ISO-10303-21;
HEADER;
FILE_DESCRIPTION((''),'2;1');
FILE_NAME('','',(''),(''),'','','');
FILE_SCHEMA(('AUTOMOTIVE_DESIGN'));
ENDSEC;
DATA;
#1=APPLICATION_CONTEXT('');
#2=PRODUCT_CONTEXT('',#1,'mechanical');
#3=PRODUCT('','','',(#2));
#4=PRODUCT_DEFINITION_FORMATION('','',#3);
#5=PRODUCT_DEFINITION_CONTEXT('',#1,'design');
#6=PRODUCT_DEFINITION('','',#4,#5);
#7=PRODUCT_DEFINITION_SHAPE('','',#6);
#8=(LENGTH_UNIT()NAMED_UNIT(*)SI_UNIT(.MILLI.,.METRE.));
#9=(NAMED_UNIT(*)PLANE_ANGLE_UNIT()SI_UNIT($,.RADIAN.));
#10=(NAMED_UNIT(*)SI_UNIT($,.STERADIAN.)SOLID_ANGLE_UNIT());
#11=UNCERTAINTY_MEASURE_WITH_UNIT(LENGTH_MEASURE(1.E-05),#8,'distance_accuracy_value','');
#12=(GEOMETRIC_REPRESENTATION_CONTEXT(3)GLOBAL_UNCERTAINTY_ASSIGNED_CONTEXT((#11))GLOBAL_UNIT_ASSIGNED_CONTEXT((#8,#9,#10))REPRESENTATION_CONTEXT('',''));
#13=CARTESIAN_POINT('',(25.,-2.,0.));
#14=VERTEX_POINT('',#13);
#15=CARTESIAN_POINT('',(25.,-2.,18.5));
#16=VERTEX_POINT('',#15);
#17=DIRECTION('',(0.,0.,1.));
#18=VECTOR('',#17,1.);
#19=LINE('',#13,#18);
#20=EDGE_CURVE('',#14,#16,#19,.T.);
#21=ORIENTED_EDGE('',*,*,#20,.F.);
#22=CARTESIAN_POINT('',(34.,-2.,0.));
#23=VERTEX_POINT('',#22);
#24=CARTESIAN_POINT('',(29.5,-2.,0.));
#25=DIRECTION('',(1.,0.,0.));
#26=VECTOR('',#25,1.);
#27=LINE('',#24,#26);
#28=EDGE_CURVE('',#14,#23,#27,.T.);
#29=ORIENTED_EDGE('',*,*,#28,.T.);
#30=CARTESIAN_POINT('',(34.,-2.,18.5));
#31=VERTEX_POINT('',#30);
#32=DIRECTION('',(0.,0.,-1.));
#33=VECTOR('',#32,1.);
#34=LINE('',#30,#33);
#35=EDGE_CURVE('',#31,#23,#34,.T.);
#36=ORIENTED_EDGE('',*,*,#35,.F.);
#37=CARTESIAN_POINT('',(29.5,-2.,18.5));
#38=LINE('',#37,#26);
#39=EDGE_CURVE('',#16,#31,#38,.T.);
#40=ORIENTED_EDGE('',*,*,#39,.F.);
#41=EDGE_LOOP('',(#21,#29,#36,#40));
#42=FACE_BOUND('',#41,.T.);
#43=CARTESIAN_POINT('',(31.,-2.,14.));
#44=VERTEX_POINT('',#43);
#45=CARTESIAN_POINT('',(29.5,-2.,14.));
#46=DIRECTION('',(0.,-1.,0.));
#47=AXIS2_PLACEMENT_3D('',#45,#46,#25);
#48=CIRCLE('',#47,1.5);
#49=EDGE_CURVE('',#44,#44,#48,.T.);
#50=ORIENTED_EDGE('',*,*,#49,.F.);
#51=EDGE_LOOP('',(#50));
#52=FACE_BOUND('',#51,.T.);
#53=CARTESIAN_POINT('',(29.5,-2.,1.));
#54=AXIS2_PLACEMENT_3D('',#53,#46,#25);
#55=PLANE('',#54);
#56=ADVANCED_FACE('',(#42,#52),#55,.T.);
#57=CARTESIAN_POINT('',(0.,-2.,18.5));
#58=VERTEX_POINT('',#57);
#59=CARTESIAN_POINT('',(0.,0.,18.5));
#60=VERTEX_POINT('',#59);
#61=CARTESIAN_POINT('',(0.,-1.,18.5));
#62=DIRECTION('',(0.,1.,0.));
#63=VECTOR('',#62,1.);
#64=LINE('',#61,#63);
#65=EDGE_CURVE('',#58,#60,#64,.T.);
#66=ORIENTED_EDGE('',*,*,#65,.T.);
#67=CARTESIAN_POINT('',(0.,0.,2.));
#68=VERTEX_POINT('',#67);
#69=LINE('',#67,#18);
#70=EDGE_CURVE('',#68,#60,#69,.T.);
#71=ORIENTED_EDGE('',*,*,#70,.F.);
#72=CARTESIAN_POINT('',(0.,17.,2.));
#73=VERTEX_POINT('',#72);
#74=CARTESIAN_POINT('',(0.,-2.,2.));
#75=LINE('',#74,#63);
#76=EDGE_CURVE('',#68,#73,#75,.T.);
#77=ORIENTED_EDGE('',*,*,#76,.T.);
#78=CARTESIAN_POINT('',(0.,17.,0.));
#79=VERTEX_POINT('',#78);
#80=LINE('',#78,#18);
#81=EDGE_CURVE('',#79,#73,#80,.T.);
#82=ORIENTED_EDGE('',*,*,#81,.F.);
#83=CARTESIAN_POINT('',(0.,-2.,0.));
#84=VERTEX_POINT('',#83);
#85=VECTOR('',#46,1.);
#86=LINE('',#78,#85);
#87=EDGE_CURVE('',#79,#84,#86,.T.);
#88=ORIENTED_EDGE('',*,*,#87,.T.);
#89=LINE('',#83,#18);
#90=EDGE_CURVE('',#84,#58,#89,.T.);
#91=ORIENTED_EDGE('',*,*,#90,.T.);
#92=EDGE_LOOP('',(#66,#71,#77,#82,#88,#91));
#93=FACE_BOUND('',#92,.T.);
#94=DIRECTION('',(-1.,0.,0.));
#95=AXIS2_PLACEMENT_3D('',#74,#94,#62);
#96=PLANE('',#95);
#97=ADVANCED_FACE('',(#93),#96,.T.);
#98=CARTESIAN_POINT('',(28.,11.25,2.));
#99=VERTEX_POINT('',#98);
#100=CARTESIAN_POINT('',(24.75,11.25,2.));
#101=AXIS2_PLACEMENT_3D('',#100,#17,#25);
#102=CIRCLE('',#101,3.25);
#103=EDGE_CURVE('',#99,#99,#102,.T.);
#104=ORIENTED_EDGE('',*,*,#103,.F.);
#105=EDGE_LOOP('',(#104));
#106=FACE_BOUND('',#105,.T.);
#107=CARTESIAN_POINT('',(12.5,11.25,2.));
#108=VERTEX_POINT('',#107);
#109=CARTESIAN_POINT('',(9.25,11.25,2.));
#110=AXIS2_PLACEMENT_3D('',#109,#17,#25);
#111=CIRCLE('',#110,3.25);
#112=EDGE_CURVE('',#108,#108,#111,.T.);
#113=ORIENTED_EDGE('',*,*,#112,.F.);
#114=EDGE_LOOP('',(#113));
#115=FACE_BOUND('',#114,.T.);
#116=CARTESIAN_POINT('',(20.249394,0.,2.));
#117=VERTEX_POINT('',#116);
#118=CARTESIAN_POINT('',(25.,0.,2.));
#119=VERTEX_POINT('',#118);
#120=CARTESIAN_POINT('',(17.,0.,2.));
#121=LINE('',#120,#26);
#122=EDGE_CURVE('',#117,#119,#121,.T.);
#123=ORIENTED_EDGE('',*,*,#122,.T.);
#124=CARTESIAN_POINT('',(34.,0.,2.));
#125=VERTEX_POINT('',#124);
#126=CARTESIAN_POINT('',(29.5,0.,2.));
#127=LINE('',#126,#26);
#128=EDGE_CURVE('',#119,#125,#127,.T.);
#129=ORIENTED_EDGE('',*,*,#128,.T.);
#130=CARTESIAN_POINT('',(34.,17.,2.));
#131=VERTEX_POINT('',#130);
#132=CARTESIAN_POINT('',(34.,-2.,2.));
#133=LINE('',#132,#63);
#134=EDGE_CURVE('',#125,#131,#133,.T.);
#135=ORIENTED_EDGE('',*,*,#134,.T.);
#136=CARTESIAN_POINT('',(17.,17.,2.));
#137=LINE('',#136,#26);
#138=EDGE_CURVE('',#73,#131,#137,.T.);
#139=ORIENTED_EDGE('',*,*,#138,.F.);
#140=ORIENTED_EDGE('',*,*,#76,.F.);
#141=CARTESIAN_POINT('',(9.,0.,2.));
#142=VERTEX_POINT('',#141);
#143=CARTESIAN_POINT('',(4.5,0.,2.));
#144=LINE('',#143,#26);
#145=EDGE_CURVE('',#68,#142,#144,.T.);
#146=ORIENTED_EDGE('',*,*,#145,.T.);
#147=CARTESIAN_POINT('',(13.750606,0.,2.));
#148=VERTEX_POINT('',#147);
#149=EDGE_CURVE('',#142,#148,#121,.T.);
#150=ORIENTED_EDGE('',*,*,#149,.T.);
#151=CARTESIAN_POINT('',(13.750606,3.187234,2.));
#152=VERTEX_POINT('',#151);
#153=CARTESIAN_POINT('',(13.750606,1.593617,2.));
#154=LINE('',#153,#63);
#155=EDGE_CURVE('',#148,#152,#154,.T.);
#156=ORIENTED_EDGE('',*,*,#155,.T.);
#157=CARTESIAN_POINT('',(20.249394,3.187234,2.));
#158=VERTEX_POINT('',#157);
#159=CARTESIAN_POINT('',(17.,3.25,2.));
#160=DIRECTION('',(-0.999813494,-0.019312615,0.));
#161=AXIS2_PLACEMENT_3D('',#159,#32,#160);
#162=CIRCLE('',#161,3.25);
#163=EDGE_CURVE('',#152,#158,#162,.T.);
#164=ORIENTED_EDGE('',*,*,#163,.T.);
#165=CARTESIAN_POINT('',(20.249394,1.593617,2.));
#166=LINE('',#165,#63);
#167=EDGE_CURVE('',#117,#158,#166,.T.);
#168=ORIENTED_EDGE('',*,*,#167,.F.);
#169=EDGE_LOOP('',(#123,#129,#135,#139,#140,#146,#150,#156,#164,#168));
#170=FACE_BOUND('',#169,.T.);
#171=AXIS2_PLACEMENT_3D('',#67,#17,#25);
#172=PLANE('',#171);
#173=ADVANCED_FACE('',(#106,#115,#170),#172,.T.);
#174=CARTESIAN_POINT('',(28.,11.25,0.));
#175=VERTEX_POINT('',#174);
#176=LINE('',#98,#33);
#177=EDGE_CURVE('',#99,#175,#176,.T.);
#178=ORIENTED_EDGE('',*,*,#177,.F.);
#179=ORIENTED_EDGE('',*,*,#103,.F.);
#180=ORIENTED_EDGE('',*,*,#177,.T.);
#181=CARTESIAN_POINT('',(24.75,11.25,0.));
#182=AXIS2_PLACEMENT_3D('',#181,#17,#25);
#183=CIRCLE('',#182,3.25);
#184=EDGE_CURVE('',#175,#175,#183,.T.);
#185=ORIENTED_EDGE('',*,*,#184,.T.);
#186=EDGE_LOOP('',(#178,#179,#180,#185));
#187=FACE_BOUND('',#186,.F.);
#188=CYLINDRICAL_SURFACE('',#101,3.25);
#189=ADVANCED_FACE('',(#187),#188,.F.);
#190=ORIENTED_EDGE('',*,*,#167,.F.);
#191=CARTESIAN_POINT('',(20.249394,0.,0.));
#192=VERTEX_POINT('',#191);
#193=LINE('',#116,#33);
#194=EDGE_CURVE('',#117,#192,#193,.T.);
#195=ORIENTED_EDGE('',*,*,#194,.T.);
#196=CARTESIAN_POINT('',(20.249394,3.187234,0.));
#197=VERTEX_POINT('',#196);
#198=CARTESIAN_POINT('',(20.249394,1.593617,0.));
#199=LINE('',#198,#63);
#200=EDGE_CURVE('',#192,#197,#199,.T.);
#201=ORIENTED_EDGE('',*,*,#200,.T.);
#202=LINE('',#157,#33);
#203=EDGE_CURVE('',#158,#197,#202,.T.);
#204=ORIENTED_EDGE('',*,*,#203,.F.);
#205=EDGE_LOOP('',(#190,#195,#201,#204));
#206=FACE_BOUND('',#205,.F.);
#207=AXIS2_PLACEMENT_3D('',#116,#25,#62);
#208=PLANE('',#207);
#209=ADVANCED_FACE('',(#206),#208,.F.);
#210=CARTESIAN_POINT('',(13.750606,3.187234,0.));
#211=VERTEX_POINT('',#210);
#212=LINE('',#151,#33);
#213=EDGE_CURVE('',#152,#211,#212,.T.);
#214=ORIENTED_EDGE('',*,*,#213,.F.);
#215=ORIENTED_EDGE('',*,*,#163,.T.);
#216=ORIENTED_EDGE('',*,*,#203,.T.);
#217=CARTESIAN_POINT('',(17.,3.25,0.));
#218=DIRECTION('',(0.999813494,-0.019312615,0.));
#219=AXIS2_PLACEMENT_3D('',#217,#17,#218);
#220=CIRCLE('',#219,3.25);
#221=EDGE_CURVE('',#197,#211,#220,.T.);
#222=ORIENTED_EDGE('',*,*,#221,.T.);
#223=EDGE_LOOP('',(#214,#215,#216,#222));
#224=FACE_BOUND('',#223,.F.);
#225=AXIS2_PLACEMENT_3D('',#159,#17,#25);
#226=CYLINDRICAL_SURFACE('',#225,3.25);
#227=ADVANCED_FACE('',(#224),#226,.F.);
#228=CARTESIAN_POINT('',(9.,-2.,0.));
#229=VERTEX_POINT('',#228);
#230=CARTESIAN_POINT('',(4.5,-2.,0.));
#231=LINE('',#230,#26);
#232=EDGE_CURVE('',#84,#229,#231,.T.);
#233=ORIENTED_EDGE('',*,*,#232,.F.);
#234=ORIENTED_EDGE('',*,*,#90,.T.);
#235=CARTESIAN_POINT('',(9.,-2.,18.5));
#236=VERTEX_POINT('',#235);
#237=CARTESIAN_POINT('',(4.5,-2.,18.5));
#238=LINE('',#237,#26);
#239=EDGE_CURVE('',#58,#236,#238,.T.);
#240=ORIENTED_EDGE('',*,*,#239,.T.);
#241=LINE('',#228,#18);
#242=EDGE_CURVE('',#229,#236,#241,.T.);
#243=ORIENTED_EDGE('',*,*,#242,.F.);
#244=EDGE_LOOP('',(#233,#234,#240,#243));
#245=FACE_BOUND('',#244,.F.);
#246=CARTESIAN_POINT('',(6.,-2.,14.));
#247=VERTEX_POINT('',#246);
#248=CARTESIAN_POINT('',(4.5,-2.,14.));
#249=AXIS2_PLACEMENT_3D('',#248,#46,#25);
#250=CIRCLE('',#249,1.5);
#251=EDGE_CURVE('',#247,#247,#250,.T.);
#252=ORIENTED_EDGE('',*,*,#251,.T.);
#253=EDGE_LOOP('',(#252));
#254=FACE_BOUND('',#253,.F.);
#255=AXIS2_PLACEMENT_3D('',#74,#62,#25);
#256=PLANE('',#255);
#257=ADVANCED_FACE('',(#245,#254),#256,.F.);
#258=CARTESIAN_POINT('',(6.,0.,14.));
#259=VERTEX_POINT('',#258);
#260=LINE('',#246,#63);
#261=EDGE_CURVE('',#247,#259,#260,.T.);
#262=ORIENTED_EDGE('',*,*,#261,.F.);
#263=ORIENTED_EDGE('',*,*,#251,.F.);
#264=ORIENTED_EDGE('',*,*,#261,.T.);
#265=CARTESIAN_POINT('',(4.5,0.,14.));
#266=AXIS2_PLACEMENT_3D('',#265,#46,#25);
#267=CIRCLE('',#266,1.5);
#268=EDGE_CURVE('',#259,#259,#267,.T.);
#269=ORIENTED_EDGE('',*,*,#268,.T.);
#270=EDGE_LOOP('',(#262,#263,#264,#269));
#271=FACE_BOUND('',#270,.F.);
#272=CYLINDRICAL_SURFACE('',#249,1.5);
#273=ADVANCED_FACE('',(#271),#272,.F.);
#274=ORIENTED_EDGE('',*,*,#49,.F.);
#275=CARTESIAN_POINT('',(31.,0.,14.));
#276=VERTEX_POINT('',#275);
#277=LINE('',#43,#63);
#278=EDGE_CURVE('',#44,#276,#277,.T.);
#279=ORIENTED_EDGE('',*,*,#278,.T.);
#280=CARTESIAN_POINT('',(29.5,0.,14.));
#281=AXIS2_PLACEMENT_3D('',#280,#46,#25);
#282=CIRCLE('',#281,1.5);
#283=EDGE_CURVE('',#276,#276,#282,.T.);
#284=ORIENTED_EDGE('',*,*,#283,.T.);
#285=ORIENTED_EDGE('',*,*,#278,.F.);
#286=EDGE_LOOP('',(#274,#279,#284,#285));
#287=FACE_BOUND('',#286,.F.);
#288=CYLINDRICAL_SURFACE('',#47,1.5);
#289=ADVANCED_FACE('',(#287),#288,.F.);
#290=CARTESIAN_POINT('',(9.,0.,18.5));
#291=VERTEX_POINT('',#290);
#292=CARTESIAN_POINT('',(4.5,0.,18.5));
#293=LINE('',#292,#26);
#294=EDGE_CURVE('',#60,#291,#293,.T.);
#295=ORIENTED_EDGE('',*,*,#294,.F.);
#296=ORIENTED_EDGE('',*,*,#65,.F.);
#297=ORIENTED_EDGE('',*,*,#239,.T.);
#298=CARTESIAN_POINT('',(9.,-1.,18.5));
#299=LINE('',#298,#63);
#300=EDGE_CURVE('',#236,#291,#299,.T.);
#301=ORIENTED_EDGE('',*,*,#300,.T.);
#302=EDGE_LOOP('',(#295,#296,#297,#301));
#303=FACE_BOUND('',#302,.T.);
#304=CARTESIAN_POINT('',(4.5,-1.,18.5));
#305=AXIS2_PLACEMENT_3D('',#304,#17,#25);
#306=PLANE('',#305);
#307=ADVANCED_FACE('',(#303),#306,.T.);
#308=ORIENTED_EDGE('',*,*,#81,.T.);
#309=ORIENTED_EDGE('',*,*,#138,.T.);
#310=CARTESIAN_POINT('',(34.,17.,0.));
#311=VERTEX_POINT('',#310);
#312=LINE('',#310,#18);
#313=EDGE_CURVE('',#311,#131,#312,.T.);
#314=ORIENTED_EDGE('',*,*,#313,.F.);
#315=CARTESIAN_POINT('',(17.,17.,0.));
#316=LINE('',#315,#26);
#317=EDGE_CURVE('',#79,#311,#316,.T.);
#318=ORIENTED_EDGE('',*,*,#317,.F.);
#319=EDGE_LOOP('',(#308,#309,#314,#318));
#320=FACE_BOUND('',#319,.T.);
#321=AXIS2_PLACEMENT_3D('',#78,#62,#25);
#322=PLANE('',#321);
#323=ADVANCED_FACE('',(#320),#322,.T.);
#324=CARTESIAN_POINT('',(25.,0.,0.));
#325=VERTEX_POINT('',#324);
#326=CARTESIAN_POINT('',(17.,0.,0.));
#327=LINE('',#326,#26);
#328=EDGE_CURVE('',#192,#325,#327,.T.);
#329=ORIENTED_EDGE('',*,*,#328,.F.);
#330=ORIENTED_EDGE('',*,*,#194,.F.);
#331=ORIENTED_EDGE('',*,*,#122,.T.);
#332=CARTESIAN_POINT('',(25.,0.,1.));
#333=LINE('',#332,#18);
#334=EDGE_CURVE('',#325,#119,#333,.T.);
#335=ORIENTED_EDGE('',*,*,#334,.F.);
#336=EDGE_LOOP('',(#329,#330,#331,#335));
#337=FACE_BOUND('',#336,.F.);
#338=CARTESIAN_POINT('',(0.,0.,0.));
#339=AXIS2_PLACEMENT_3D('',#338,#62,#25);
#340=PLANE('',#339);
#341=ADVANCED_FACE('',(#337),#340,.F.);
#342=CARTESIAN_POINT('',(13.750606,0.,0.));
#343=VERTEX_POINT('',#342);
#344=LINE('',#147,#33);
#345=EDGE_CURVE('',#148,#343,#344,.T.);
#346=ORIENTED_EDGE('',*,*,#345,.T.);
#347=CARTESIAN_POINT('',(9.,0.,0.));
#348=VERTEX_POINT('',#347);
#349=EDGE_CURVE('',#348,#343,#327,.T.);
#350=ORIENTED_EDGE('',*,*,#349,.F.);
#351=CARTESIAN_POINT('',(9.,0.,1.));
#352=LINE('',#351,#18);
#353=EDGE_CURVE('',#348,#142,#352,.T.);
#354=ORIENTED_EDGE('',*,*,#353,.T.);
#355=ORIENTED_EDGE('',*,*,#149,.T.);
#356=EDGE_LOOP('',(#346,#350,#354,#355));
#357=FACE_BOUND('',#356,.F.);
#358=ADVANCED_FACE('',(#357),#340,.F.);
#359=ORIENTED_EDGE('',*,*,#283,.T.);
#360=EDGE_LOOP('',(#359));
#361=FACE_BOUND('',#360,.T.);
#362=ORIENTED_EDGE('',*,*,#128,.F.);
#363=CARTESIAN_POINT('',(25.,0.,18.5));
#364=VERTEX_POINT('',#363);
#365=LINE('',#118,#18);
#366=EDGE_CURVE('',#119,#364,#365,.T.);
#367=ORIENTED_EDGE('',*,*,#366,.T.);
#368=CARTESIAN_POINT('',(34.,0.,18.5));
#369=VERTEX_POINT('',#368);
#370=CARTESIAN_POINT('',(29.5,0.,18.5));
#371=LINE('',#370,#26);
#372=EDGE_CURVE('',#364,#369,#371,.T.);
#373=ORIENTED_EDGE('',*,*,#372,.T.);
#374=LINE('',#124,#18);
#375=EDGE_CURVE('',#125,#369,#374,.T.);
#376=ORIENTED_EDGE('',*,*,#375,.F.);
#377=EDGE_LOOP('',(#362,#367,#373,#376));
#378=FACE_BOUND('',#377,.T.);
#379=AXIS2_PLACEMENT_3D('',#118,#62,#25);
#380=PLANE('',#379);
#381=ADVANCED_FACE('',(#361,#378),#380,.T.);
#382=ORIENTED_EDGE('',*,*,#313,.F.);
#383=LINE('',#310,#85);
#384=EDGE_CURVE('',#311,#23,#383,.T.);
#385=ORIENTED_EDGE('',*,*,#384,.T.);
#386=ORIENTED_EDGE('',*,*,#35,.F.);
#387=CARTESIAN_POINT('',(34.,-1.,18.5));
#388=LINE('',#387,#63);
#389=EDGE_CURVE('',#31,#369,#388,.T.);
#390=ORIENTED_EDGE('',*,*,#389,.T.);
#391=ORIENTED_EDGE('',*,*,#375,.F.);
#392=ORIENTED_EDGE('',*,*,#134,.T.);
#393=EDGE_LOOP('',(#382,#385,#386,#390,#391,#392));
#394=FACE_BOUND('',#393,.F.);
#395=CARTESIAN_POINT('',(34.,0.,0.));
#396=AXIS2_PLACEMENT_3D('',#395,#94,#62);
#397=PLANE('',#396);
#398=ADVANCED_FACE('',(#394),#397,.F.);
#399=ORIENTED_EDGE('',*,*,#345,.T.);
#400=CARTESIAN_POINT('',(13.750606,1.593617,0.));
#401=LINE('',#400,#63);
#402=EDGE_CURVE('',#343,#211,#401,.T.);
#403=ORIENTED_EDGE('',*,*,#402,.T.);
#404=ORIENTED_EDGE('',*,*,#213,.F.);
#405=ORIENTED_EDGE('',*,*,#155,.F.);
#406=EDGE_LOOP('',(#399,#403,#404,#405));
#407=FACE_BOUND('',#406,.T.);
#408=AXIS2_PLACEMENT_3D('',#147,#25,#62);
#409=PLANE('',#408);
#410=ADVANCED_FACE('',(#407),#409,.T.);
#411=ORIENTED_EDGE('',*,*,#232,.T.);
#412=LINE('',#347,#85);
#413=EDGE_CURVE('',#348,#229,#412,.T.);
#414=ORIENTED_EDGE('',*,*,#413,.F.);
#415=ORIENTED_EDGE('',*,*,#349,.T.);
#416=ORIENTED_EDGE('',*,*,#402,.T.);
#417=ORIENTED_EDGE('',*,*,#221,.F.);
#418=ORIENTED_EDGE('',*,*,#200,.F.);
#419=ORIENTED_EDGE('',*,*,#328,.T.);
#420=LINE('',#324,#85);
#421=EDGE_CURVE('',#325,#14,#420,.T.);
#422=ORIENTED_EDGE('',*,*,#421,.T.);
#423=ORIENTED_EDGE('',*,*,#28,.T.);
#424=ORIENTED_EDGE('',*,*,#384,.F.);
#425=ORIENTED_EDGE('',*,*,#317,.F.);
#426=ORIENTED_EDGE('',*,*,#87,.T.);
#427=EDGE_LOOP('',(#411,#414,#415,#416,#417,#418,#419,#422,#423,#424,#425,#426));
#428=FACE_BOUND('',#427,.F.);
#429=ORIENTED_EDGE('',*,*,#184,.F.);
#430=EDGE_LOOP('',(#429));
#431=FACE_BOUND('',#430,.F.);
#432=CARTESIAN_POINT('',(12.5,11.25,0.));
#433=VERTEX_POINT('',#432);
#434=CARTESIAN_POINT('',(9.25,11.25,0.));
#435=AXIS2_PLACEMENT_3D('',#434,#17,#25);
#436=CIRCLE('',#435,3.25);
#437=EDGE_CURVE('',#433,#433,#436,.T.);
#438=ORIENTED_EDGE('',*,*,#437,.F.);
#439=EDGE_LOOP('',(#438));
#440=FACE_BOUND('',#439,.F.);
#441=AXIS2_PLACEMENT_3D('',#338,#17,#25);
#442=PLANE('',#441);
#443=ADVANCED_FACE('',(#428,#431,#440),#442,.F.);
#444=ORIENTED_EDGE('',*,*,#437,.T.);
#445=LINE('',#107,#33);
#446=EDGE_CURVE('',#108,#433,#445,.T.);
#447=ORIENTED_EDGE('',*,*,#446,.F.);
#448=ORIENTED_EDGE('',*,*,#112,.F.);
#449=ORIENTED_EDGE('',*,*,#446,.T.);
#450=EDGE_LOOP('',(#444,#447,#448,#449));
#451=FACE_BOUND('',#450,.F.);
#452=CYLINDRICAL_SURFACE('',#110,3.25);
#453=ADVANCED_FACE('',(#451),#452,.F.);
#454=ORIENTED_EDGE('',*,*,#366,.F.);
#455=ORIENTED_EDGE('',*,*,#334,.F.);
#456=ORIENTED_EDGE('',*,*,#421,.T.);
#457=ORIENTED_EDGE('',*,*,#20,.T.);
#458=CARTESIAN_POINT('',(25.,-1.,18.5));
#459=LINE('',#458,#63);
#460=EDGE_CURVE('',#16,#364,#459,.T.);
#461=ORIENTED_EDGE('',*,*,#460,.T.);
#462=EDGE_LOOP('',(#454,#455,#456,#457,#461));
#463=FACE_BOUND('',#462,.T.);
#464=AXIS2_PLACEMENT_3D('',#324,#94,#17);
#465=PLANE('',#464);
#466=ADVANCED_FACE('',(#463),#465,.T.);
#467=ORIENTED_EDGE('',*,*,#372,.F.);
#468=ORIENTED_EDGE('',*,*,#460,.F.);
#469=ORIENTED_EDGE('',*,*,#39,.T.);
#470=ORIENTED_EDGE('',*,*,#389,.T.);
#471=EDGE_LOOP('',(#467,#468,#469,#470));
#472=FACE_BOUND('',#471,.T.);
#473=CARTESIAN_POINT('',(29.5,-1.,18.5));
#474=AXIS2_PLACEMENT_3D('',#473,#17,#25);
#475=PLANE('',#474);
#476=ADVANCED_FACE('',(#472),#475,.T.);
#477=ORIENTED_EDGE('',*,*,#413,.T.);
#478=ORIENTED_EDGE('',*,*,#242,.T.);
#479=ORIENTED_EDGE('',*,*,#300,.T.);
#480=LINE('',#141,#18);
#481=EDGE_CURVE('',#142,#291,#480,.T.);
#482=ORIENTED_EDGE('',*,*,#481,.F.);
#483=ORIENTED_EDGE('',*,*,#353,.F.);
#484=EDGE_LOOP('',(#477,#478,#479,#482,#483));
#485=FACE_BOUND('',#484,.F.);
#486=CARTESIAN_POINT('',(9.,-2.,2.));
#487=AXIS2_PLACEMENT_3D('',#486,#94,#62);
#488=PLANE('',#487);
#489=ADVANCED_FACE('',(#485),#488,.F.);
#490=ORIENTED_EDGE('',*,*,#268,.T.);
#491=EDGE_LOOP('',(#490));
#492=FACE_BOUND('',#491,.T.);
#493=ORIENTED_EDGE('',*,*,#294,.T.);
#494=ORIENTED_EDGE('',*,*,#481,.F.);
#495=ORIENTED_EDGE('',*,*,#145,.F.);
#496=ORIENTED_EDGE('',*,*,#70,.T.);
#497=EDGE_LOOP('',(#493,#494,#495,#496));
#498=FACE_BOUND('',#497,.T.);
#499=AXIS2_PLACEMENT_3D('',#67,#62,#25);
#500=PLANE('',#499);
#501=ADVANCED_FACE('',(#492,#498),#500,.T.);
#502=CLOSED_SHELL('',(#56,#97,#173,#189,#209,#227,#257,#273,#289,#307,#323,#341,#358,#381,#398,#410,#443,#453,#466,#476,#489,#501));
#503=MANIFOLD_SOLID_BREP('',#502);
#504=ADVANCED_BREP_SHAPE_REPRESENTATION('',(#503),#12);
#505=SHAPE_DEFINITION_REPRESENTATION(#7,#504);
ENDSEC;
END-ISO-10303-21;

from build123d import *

# Parameters (mm, degrees)
BOX_W           = 34
BOX_H           = 17
BOX_DEPTH       = 2
SKETCH_R        = 3.25
POCKET_DEPTH    = 2
SKETCH001_W     = 6.498788
SKETCH001_H     = 3.187234
POCKET001_DEPTH = 2
SKETCH002_W     = 9
SKETCH002_H     = 2
PAD_DEPTH       = 2
SKETCH003_W     = 9
SKETCH003_H     = 2
PAD001_DEPTH    = 16.5
SKETCH004_R     = 1.5
POCKET002_DEPTH = 2


with BuildPart() as part:
    # Box → Box (new body)
    with BuildSketch(Plane.XY):
        with Locations((17, 8.5)):
            Rectangle(BOX_W, BOX_H)
    extrude(amount=BOX_DEPTH)

    # Sketch → Pocket (cut)
    with BuildSketch(Plane.XY.offset(2)):
        with Locations((9.25, 11.25)):
            Circle(SKETCH_R)
        with Locations((24.75, 11.25)):
            Circle(SKETCH_R)
        with Locations((17, 3.25)):
            Circle(SKETCH_R)
    extrude(amount=-POCKET_DEPTH, mode=Mode.SUBTRACT)

    # Sketch001 → Pocket001 (cut)
    with BuildSketch(Plane.XY.offset(2)):
        with Locations((17, 1.593617)):
            Rectangle(SKETCH001_W, SKETCH001_H)
    extrude(amount=-POCKET001_DEPTH, mode=Mode.SUBTRACT)

    # Sketch002 → Pad (new body)
    with BuildSketch(Plane.XZ):
        with Locations((4.5, 1)):
            Rectangle(SKETCH002_W, SKETCH002_H)
        with Locations((29.5, 1)):
            Rectangle(SKETCH002_W, SKETCH002_H)
    extrude(amount=PAD_DEPTH)

    # Sketch003 → Pad001 (new body)
    with BuildSketch(Plane.XY.offset(2)):
        with Locations((4.5, -1)):
            Rectangle(SKETCH003_W, SKETCH003_H)
        with Locations((29.5, -1)):
            Rectangle(SKETCH003_W, SKETCH003_H)
    extrude(amount=PAD001_DEPTH)

    # Sketch004 → Pocket002 (cut)
    with BuildSketch(Plane.XZ.offset(2)):
        with Locations((4.5, 14)):
            Circle(SKETCH004_R)
        with Locations((29.5, 14)):
            Circle(SKETCH004_R)
    extrude(amount=-POCKET002_DEPTH, mode=Mode.SUBTRACT)


solid = part.part
